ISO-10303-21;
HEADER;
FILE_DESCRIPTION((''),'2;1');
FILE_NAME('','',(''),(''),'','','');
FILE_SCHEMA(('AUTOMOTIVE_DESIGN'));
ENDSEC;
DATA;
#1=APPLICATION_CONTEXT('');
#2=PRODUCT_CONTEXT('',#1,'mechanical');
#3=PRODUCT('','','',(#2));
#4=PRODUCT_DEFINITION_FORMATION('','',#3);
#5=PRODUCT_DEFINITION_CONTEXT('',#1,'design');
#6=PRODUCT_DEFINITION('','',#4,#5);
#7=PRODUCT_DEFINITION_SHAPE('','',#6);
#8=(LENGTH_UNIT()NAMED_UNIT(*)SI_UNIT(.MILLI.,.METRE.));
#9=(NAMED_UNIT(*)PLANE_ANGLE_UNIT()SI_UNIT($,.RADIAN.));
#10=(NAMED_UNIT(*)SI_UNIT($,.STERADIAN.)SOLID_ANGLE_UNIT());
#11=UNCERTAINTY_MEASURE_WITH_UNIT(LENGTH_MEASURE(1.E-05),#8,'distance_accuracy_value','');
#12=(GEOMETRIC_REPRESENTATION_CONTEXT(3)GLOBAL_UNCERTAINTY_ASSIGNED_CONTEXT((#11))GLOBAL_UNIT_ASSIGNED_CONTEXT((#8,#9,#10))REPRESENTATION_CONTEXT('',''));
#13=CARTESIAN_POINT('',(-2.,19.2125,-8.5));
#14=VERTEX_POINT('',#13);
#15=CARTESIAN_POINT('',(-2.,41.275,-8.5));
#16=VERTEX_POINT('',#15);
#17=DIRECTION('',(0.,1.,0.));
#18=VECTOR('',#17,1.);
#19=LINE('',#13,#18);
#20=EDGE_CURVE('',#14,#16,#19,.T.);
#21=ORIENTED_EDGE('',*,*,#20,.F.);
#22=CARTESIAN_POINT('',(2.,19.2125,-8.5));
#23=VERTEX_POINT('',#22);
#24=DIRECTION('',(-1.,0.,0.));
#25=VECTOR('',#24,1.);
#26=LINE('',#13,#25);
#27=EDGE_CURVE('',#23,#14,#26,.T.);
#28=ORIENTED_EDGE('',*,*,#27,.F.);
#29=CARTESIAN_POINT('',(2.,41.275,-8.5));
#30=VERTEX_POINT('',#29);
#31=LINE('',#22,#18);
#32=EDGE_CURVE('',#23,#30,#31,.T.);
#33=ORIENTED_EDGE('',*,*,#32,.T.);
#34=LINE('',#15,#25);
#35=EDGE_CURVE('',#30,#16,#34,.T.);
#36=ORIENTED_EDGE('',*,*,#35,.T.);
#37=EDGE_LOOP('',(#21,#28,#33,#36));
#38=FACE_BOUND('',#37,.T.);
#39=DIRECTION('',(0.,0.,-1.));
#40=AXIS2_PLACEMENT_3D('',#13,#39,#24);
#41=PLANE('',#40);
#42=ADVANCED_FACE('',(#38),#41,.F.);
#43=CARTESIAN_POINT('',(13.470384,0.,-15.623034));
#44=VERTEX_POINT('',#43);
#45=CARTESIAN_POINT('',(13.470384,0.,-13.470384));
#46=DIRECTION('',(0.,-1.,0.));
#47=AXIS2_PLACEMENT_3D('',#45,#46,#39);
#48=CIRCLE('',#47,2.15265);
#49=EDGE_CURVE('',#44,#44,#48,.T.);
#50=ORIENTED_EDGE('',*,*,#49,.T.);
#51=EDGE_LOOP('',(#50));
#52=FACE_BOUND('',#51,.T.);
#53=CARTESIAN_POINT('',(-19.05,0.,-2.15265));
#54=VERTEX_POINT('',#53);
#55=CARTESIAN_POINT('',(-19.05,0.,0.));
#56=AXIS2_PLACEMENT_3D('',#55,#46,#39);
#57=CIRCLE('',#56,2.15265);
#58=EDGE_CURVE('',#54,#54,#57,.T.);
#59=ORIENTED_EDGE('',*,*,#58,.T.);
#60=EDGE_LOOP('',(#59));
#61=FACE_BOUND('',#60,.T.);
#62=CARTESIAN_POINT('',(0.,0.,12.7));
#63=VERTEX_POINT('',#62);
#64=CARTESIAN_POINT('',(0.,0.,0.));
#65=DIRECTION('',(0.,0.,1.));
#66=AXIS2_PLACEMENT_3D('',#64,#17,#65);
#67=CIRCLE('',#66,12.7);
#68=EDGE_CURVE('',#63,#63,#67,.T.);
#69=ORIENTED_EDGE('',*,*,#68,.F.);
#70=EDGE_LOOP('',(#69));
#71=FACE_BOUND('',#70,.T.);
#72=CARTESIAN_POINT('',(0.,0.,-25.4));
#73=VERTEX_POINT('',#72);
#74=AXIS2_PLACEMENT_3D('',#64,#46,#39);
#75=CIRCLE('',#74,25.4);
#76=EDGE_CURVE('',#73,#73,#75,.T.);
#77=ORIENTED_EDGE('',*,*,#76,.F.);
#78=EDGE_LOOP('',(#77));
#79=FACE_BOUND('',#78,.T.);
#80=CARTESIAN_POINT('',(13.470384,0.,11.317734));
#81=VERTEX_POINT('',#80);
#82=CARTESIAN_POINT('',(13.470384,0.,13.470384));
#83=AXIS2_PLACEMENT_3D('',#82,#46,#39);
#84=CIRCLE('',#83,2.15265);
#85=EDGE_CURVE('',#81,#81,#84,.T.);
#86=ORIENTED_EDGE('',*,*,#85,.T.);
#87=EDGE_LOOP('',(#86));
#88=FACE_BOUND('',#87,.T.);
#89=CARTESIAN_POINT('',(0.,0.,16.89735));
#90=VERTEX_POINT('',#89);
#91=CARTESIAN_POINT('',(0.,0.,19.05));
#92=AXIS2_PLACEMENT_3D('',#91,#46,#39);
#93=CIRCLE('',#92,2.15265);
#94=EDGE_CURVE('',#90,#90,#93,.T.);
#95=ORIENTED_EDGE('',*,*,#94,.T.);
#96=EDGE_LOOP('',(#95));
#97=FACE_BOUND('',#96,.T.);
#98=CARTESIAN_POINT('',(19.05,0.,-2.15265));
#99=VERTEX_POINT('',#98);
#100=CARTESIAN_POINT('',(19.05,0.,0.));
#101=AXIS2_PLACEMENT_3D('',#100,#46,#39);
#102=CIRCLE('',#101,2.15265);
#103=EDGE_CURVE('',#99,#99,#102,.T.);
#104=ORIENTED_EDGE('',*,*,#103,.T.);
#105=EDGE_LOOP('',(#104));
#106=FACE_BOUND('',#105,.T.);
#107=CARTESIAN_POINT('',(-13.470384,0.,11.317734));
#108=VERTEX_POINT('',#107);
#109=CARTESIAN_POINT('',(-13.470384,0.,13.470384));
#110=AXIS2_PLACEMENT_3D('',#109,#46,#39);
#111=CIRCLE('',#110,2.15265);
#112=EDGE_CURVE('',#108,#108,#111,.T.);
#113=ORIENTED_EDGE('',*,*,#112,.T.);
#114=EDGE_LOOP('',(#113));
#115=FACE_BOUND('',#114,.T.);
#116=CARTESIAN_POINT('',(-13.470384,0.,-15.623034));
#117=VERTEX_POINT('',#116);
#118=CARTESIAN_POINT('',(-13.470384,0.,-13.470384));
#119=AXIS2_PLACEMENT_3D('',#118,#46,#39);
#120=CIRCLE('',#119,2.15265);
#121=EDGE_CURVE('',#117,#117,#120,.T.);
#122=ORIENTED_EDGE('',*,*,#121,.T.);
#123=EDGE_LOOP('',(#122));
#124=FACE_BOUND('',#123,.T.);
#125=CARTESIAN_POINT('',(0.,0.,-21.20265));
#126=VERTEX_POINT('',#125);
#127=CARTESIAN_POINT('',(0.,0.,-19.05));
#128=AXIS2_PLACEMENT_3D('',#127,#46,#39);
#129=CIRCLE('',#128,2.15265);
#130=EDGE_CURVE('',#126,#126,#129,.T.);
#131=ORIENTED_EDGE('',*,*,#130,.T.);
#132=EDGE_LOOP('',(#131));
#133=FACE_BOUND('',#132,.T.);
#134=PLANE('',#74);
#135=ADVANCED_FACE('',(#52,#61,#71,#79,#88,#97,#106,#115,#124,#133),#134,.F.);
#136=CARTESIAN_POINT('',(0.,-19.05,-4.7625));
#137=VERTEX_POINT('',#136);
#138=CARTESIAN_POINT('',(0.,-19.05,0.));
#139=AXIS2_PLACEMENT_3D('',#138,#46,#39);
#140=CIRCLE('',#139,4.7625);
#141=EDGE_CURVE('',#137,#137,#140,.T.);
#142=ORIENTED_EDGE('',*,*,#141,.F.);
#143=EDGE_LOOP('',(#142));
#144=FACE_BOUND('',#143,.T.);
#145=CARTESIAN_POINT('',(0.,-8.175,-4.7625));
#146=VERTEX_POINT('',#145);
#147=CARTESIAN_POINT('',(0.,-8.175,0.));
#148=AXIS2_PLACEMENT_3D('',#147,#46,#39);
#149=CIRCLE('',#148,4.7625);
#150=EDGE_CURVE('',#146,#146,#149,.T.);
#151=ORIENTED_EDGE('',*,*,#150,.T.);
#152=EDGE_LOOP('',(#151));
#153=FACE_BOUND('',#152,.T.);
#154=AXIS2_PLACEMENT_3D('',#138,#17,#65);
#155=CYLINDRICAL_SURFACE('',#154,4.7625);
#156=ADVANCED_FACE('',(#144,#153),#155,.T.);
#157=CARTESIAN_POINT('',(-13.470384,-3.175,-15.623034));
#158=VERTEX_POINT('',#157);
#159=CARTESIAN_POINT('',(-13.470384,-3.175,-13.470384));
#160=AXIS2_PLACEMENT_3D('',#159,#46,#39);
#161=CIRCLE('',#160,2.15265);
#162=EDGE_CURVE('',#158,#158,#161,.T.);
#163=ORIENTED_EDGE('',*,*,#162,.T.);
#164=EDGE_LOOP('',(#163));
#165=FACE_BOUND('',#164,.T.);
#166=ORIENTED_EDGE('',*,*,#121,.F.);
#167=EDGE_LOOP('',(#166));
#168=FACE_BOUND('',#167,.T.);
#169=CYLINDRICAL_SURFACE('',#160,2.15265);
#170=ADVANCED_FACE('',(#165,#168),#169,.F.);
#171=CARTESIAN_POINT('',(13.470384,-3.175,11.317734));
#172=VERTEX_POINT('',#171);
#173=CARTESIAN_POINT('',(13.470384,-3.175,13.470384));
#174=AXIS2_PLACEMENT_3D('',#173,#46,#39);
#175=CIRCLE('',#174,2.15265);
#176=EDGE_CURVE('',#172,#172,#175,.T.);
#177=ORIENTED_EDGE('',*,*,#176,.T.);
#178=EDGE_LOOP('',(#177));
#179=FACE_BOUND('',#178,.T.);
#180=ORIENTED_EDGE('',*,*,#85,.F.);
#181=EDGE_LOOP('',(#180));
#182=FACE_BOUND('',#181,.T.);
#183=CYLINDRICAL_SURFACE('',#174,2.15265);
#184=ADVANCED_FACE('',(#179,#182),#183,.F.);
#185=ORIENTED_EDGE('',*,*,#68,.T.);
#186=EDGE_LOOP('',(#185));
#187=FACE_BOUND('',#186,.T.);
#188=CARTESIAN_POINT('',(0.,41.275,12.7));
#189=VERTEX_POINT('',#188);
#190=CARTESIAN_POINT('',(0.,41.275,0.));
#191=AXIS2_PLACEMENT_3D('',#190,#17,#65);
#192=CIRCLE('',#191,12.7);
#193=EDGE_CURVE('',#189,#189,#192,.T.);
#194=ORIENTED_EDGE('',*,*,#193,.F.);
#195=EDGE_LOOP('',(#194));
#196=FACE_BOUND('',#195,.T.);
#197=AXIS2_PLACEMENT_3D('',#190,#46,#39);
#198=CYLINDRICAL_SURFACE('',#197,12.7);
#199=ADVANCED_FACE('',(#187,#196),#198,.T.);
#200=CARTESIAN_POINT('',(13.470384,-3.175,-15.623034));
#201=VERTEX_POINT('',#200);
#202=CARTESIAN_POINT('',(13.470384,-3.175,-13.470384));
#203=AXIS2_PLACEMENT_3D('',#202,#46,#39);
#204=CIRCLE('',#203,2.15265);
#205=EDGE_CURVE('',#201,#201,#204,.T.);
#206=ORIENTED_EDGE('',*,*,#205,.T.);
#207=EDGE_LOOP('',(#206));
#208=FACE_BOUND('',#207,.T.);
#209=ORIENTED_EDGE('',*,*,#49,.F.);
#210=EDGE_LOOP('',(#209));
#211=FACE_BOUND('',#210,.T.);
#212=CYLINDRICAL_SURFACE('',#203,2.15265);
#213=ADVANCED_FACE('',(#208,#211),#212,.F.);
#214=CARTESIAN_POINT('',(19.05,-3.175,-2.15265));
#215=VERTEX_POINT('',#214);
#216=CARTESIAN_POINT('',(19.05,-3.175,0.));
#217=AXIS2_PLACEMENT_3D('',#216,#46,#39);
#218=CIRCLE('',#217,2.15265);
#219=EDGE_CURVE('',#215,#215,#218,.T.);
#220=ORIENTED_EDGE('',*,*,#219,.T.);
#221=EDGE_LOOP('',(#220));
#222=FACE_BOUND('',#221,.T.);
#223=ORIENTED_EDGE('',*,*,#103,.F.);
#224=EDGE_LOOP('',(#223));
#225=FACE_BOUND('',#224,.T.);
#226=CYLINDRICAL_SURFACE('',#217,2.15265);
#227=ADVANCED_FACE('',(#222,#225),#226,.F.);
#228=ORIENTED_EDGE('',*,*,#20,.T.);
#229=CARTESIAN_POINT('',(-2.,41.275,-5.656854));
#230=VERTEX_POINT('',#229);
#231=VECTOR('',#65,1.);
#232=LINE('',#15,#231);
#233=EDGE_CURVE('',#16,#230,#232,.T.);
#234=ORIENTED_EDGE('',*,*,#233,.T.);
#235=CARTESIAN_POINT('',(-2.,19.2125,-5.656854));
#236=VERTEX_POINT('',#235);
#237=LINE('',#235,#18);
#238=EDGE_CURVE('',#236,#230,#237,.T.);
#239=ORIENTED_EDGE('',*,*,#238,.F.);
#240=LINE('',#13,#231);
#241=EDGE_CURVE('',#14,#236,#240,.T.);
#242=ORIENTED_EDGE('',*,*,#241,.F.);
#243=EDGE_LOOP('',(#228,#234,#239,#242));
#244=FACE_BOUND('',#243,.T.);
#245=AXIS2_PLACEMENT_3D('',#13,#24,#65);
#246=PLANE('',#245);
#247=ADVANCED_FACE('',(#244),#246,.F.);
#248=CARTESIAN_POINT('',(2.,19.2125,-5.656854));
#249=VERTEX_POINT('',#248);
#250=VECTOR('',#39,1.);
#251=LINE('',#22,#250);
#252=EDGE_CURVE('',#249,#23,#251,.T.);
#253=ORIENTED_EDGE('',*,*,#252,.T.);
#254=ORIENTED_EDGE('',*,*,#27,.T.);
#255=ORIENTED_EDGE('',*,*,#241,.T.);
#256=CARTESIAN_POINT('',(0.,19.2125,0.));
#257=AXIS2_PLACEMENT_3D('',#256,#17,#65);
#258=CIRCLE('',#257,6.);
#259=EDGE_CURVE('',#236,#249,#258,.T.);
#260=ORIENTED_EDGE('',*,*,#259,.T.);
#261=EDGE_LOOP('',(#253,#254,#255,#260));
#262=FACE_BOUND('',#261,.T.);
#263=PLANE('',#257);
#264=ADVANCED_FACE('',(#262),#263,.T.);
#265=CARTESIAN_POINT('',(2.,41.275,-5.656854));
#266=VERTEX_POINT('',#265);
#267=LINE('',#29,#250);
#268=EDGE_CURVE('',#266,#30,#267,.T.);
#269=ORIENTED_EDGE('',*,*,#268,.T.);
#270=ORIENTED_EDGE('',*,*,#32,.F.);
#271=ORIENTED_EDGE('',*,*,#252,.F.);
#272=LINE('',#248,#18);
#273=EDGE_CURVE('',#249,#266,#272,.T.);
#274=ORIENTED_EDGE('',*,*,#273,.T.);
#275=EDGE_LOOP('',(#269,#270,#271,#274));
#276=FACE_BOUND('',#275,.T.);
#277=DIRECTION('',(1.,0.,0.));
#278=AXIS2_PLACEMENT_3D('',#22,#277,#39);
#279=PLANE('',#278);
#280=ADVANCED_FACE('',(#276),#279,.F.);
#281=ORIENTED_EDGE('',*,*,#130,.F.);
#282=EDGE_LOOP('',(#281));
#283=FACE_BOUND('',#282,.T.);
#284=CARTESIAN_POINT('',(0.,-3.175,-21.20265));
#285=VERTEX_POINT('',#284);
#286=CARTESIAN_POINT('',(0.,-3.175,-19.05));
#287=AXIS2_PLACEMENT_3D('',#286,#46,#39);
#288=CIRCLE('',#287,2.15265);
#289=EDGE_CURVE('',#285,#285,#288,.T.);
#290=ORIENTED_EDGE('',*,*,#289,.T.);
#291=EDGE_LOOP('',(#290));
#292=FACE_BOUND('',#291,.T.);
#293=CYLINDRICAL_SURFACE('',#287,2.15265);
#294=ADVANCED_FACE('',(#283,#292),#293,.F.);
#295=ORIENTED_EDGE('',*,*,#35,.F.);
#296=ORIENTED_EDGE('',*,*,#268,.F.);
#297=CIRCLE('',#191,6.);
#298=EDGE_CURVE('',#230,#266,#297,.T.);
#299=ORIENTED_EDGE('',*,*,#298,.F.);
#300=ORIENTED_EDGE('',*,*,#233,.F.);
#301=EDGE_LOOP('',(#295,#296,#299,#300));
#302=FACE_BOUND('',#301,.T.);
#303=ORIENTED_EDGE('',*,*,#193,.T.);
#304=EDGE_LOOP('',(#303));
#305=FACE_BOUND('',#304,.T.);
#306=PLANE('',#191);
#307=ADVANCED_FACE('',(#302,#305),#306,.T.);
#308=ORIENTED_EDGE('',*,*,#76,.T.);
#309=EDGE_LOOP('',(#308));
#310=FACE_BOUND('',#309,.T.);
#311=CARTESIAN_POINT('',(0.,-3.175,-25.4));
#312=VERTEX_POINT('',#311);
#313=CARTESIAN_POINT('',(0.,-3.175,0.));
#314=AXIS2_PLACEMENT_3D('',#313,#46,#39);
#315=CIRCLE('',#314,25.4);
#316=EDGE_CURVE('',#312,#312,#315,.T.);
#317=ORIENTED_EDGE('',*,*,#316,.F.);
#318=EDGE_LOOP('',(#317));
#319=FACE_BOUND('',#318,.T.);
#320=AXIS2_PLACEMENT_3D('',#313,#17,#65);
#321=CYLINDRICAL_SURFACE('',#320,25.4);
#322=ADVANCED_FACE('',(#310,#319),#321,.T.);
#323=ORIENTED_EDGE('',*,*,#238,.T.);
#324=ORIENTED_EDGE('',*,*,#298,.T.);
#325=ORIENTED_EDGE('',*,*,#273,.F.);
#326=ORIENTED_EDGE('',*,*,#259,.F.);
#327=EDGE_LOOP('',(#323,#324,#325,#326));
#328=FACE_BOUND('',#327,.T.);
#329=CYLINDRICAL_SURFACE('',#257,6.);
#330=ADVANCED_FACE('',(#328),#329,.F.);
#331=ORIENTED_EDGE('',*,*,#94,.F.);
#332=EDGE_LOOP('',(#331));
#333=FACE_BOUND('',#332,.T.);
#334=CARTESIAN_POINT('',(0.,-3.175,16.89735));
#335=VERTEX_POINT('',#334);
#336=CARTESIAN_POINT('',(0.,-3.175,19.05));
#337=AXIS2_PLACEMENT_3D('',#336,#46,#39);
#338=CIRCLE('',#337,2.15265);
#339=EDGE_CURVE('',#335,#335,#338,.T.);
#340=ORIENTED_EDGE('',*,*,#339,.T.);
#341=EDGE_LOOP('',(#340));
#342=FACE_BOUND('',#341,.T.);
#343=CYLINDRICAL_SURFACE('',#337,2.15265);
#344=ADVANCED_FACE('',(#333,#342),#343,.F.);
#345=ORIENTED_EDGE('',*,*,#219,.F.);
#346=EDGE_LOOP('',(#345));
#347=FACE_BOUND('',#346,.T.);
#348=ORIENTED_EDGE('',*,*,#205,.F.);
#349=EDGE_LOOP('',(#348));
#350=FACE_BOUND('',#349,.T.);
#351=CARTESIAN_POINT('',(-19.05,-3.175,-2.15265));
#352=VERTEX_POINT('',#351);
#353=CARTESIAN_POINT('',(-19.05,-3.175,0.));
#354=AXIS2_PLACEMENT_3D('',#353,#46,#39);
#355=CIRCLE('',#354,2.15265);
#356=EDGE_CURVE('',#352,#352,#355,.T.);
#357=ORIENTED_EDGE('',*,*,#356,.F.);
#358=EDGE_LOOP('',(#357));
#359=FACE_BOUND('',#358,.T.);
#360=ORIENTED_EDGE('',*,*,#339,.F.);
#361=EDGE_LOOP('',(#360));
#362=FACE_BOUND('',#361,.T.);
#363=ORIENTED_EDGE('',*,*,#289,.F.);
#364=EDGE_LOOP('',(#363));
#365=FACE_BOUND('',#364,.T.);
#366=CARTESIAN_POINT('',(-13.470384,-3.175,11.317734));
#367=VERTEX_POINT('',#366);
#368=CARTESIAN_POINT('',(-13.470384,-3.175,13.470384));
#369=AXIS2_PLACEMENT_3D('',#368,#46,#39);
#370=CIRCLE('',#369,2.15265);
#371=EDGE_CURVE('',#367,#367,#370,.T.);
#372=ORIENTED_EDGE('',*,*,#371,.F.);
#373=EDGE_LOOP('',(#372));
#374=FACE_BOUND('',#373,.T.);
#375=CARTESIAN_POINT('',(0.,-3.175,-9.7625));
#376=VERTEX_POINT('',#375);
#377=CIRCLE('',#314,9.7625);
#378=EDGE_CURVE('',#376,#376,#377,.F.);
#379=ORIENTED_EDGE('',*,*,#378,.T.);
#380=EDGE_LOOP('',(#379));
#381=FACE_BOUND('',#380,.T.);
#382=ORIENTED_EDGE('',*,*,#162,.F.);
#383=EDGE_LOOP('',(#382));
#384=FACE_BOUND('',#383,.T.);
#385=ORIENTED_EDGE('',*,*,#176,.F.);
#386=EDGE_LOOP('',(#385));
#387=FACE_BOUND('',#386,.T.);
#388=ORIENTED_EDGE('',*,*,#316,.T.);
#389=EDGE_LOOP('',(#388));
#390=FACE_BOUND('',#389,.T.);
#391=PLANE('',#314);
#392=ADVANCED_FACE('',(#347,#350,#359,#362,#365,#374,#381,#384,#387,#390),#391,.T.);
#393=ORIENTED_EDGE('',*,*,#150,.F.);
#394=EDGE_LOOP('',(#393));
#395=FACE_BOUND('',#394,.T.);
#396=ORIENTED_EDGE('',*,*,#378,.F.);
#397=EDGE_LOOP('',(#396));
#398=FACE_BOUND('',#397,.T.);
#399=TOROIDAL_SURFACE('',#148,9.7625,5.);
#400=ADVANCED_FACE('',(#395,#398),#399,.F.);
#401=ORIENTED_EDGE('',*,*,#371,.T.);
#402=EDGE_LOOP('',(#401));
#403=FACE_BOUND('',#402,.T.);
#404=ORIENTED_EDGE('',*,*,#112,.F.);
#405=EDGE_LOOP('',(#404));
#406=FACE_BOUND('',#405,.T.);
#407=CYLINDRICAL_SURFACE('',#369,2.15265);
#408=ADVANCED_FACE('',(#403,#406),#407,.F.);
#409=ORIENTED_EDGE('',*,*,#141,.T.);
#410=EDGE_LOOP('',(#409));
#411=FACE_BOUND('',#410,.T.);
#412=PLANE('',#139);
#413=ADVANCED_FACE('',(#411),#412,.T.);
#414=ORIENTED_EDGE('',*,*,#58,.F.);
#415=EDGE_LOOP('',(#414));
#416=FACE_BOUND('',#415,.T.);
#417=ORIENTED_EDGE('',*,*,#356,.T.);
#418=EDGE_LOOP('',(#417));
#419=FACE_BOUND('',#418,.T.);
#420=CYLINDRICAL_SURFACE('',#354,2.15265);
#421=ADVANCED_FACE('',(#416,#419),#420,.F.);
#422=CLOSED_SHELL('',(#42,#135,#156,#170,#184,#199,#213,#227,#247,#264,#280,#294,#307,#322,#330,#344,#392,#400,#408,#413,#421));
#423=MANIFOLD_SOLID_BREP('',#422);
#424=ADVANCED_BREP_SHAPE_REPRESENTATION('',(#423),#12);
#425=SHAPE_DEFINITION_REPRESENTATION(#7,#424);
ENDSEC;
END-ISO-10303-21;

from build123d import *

# Parameters (mm, degrees)
SKETCH1_R                   = 12.7
BOSS_EXTRUDE1_DEPTH         = 41.275
SKETCH3_R                   = 25.4
BOSS_EXTRUDE3_DEPTH         = 3.175
F_8_CLEARANCE_HOLE1_D       = 4.3053
F_20_8MMTOENDOFKEYWAY_DEPTH = 22.0625
SKETCH8_R                   = 4.7625
BOSS_EXTRUDE4_DEPTH         = 15.875
FILLET1_R                   = 5


with BuildPart() as part:
    # Sketch1 → Boss-Extrude1 (new body)
    with BuildSketch(Plane(origin=(0, 0, 0), x_dir=(1, 0, 0), z_dir=(0, 1, 0))):
        Circle(SKETCH1_R)
    extrude(amount=BOSS_EXTRUDE1_DEPTH)

    # Sketch3 → Boss-Extrude3 (add)
    with BuildSketch(Plane.XZ):
        Circle(SKETCH3_R)
    extrude(amount=BOSS_EXTRUDE3_DEPTH)

    # #8 Clearance Hole1 (through all)
    with Locations(Plane(origin=(0, -3.175, 0), x_dir=(-1, 0, 0), z_dir=(0, -1, 0))):
        with Locations((0, 19.05), (-13.470384182, 13.470384182), (-19.05, 0), (-13.470384182, -13.470384182), (0, -19.05), (13.470384182, -13.470384182), (19.05, 0), (13.470384182, 13.470384182)):
            Hole(F_8_CLEARANCE_HOLE1_D / 2)

    # Sketch7 → 20.8mmToEndofKeyway (cut)
    with BuildSketch(Plane(origin=(0, 41.275, 0), x_dir=(1, 0, 0), z_dir=(0, 1, 0))):
        with BuildLine():
            Line((-2, 8.5), (2, 8.5))
            Line((2, 8.5), (2, 5.656854249))
            ThreePointArc((2, 5.656854249), (0, -6), (-2, 5.656854249))
            Line((-2, 5.656854249), (-2, 8.5))
        make_face()
    extrude(amount=-F_20_8MMTOENDOFKEYWAY_DEPTH, mode=Mode.SUBTRACT)

    # Sketch8 → Boss-Extrude4 (add)
    with BuildSketch(Plane.XZ.offset(3.175)):
        Circle(SKETCH8_R)
    extrude(amount=BOSS_EXTRUDE4_DEPTH)

    # Fillet1
    fillet1_edges = [part.edges().sort_by_distance(p)[0] for p in [
        (-4.7625, -3.175, 0),
    ]]
    fillet(fillet1_edges, radius=FILLET1_R)


solid = part.part
